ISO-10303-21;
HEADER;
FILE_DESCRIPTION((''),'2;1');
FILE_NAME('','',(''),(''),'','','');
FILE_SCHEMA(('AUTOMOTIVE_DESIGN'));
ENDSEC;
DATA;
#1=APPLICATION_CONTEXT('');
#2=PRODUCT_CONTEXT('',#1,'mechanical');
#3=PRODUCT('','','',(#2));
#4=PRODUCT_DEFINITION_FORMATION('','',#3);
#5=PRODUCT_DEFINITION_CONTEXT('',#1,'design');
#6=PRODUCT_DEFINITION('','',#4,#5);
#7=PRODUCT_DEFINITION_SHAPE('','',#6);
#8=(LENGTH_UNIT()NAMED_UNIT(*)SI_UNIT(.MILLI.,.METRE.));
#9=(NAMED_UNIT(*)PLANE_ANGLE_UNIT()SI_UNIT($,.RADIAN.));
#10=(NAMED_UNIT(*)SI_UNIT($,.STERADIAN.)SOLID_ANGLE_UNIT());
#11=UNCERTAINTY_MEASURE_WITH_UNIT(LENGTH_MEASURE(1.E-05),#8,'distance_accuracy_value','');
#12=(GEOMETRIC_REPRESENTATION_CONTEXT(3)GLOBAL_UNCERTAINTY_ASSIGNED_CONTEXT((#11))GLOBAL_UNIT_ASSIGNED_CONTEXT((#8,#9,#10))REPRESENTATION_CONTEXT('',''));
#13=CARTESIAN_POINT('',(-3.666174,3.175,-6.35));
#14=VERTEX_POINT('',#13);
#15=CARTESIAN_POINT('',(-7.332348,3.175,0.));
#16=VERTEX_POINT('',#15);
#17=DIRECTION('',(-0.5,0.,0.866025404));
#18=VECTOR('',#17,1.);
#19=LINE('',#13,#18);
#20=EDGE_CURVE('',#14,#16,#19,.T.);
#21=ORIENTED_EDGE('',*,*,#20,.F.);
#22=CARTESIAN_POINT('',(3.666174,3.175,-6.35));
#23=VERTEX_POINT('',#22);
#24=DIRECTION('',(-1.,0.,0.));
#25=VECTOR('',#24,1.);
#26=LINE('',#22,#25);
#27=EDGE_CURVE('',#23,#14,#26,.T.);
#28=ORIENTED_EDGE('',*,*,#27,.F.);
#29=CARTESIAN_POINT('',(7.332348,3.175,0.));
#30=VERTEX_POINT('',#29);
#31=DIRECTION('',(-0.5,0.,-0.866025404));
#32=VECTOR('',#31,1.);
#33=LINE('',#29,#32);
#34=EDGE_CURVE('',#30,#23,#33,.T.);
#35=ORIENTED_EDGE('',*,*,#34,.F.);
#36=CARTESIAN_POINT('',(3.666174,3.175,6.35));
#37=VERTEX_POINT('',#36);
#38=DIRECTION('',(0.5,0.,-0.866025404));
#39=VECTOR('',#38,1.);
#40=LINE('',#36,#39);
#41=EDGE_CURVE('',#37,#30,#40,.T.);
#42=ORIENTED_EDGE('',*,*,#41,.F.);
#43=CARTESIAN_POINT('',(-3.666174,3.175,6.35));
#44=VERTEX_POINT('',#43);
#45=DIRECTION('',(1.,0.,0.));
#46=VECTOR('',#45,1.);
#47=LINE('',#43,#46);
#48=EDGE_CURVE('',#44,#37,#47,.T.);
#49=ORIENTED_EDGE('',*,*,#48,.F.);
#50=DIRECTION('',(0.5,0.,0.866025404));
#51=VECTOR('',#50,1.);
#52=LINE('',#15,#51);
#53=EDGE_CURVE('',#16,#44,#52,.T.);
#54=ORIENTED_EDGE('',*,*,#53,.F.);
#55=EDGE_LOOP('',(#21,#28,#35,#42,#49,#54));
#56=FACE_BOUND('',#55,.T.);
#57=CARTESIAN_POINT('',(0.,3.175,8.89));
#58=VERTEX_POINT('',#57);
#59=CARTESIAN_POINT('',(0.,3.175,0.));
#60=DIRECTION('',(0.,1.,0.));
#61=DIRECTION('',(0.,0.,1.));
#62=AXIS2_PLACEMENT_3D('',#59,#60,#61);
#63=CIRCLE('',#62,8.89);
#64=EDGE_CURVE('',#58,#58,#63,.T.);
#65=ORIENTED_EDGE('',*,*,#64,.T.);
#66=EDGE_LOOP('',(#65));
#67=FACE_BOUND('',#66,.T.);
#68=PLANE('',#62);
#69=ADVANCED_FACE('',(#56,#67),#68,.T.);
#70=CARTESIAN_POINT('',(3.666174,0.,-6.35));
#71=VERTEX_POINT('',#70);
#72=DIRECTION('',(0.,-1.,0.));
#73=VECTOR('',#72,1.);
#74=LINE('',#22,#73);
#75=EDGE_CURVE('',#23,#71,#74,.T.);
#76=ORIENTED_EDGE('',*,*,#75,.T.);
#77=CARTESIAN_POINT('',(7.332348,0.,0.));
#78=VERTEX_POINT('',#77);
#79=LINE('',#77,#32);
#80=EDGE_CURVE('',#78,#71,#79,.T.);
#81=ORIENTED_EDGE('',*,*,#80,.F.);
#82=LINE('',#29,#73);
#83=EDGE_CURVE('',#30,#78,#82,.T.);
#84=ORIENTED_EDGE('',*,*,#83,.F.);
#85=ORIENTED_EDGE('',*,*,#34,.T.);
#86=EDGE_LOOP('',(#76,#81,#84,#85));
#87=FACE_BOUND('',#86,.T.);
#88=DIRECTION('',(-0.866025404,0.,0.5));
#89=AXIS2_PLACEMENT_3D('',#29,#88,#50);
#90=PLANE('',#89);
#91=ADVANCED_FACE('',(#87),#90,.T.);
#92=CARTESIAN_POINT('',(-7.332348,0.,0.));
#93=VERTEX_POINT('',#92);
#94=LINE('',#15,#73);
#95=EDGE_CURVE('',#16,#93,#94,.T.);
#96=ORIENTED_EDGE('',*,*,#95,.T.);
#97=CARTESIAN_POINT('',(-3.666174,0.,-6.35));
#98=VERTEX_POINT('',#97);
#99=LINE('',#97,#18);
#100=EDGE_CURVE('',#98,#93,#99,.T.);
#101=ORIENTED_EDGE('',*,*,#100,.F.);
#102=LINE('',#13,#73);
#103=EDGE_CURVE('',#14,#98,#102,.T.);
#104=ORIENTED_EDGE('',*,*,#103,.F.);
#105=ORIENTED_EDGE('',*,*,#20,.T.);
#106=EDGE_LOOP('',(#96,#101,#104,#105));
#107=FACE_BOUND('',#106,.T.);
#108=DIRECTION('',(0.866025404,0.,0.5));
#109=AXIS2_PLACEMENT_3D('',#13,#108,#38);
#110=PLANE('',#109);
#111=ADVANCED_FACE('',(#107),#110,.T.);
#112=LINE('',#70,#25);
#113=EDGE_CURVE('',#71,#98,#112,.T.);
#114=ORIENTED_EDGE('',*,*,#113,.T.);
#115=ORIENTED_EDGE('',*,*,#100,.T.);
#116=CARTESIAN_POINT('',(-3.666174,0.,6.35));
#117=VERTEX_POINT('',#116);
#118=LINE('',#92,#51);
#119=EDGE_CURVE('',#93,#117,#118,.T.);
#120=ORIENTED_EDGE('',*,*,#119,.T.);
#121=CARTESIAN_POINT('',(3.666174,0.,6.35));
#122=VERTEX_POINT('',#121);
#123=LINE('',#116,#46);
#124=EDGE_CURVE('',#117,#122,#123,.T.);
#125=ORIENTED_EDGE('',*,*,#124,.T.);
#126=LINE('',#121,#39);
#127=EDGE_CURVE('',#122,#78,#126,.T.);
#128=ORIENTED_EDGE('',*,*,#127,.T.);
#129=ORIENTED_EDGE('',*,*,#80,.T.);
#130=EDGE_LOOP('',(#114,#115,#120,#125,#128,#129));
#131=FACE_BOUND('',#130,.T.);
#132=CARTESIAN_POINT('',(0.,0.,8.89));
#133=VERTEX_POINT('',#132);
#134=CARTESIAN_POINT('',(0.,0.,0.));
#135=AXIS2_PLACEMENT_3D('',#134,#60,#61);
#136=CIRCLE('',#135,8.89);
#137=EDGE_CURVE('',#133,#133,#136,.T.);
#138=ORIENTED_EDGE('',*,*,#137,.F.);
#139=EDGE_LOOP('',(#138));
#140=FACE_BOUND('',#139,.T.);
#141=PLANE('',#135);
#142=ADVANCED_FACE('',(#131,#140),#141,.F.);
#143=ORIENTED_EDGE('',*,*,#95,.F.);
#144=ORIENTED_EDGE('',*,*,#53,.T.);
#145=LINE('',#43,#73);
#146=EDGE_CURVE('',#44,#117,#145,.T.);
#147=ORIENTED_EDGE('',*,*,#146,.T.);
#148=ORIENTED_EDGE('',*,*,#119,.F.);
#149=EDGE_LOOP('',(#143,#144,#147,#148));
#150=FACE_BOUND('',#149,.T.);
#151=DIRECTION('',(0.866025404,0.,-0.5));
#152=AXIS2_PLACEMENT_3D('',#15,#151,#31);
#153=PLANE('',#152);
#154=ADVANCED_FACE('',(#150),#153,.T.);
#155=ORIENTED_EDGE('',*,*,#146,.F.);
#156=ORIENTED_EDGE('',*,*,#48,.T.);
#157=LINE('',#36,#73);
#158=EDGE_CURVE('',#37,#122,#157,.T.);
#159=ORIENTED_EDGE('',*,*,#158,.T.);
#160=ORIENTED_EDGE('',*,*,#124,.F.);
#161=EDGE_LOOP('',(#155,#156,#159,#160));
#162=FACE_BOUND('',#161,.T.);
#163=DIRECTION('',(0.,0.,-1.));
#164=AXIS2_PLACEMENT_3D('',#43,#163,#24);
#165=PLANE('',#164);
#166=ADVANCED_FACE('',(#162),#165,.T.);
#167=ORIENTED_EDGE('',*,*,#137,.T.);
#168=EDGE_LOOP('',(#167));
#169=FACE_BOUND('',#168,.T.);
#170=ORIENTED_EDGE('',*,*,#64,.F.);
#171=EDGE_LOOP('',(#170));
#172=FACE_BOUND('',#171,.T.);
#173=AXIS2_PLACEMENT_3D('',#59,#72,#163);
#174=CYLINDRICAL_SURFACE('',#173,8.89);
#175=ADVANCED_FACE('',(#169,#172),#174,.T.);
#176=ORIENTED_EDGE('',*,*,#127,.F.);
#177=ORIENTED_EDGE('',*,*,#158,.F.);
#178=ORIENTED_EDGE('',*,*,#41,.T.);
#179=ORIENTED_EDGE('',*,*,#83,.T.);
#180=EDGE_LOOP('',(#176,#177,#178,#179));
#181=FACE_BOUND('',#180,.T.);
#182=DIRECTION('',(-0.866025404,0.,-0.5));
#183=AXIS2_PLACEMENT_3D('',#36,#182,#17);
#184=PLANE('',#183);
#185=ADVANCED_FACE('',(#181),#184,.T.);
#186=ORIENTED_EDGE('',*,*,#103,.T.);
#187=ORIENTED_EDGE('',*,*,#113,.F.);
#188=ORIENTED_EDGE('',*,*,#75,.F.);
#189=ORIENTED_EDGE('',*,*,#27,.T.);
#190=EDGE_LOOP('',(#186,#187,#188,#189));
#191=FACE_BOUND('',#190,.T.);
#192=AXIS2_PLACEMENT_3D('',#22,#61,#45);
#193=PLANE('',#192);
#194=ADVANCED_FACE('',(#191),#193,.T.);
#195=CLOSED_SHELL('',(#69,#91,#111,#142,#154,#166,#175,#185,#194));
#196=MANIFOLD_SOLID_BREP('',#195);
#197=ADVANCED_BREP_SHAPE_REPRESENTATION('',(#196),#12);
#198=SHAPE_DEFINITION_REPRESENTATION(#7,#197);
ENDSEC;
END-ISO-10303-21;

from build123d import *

# Parameters (mm, degrees)
SKETCH1_R           = 8.89
BOSS_EXTRUDE1_DEPTH = 3.175


with BuildPart() as part:
    # Sketch1 → Boss-Extrude1 (new body)
    with BuildSketch(Plane(origin=(0, 0, 0), x_dir=(1, 0, 0), z_dir=(0, 1, 0))):
        Circle(SKETCH1_R)
        Polygon((7.332348419, 0), (3.666174209, 6.35), (-3.666174209, 6.35), (-7.332348419, 0), (-3.666174209, -6.35), (3.666174209, -6.35), align=None, mode=Mode.SUBTRACT)
    extrude(amount=BOSS_EXTRUDE1_DEPTH)


solid = part.part
